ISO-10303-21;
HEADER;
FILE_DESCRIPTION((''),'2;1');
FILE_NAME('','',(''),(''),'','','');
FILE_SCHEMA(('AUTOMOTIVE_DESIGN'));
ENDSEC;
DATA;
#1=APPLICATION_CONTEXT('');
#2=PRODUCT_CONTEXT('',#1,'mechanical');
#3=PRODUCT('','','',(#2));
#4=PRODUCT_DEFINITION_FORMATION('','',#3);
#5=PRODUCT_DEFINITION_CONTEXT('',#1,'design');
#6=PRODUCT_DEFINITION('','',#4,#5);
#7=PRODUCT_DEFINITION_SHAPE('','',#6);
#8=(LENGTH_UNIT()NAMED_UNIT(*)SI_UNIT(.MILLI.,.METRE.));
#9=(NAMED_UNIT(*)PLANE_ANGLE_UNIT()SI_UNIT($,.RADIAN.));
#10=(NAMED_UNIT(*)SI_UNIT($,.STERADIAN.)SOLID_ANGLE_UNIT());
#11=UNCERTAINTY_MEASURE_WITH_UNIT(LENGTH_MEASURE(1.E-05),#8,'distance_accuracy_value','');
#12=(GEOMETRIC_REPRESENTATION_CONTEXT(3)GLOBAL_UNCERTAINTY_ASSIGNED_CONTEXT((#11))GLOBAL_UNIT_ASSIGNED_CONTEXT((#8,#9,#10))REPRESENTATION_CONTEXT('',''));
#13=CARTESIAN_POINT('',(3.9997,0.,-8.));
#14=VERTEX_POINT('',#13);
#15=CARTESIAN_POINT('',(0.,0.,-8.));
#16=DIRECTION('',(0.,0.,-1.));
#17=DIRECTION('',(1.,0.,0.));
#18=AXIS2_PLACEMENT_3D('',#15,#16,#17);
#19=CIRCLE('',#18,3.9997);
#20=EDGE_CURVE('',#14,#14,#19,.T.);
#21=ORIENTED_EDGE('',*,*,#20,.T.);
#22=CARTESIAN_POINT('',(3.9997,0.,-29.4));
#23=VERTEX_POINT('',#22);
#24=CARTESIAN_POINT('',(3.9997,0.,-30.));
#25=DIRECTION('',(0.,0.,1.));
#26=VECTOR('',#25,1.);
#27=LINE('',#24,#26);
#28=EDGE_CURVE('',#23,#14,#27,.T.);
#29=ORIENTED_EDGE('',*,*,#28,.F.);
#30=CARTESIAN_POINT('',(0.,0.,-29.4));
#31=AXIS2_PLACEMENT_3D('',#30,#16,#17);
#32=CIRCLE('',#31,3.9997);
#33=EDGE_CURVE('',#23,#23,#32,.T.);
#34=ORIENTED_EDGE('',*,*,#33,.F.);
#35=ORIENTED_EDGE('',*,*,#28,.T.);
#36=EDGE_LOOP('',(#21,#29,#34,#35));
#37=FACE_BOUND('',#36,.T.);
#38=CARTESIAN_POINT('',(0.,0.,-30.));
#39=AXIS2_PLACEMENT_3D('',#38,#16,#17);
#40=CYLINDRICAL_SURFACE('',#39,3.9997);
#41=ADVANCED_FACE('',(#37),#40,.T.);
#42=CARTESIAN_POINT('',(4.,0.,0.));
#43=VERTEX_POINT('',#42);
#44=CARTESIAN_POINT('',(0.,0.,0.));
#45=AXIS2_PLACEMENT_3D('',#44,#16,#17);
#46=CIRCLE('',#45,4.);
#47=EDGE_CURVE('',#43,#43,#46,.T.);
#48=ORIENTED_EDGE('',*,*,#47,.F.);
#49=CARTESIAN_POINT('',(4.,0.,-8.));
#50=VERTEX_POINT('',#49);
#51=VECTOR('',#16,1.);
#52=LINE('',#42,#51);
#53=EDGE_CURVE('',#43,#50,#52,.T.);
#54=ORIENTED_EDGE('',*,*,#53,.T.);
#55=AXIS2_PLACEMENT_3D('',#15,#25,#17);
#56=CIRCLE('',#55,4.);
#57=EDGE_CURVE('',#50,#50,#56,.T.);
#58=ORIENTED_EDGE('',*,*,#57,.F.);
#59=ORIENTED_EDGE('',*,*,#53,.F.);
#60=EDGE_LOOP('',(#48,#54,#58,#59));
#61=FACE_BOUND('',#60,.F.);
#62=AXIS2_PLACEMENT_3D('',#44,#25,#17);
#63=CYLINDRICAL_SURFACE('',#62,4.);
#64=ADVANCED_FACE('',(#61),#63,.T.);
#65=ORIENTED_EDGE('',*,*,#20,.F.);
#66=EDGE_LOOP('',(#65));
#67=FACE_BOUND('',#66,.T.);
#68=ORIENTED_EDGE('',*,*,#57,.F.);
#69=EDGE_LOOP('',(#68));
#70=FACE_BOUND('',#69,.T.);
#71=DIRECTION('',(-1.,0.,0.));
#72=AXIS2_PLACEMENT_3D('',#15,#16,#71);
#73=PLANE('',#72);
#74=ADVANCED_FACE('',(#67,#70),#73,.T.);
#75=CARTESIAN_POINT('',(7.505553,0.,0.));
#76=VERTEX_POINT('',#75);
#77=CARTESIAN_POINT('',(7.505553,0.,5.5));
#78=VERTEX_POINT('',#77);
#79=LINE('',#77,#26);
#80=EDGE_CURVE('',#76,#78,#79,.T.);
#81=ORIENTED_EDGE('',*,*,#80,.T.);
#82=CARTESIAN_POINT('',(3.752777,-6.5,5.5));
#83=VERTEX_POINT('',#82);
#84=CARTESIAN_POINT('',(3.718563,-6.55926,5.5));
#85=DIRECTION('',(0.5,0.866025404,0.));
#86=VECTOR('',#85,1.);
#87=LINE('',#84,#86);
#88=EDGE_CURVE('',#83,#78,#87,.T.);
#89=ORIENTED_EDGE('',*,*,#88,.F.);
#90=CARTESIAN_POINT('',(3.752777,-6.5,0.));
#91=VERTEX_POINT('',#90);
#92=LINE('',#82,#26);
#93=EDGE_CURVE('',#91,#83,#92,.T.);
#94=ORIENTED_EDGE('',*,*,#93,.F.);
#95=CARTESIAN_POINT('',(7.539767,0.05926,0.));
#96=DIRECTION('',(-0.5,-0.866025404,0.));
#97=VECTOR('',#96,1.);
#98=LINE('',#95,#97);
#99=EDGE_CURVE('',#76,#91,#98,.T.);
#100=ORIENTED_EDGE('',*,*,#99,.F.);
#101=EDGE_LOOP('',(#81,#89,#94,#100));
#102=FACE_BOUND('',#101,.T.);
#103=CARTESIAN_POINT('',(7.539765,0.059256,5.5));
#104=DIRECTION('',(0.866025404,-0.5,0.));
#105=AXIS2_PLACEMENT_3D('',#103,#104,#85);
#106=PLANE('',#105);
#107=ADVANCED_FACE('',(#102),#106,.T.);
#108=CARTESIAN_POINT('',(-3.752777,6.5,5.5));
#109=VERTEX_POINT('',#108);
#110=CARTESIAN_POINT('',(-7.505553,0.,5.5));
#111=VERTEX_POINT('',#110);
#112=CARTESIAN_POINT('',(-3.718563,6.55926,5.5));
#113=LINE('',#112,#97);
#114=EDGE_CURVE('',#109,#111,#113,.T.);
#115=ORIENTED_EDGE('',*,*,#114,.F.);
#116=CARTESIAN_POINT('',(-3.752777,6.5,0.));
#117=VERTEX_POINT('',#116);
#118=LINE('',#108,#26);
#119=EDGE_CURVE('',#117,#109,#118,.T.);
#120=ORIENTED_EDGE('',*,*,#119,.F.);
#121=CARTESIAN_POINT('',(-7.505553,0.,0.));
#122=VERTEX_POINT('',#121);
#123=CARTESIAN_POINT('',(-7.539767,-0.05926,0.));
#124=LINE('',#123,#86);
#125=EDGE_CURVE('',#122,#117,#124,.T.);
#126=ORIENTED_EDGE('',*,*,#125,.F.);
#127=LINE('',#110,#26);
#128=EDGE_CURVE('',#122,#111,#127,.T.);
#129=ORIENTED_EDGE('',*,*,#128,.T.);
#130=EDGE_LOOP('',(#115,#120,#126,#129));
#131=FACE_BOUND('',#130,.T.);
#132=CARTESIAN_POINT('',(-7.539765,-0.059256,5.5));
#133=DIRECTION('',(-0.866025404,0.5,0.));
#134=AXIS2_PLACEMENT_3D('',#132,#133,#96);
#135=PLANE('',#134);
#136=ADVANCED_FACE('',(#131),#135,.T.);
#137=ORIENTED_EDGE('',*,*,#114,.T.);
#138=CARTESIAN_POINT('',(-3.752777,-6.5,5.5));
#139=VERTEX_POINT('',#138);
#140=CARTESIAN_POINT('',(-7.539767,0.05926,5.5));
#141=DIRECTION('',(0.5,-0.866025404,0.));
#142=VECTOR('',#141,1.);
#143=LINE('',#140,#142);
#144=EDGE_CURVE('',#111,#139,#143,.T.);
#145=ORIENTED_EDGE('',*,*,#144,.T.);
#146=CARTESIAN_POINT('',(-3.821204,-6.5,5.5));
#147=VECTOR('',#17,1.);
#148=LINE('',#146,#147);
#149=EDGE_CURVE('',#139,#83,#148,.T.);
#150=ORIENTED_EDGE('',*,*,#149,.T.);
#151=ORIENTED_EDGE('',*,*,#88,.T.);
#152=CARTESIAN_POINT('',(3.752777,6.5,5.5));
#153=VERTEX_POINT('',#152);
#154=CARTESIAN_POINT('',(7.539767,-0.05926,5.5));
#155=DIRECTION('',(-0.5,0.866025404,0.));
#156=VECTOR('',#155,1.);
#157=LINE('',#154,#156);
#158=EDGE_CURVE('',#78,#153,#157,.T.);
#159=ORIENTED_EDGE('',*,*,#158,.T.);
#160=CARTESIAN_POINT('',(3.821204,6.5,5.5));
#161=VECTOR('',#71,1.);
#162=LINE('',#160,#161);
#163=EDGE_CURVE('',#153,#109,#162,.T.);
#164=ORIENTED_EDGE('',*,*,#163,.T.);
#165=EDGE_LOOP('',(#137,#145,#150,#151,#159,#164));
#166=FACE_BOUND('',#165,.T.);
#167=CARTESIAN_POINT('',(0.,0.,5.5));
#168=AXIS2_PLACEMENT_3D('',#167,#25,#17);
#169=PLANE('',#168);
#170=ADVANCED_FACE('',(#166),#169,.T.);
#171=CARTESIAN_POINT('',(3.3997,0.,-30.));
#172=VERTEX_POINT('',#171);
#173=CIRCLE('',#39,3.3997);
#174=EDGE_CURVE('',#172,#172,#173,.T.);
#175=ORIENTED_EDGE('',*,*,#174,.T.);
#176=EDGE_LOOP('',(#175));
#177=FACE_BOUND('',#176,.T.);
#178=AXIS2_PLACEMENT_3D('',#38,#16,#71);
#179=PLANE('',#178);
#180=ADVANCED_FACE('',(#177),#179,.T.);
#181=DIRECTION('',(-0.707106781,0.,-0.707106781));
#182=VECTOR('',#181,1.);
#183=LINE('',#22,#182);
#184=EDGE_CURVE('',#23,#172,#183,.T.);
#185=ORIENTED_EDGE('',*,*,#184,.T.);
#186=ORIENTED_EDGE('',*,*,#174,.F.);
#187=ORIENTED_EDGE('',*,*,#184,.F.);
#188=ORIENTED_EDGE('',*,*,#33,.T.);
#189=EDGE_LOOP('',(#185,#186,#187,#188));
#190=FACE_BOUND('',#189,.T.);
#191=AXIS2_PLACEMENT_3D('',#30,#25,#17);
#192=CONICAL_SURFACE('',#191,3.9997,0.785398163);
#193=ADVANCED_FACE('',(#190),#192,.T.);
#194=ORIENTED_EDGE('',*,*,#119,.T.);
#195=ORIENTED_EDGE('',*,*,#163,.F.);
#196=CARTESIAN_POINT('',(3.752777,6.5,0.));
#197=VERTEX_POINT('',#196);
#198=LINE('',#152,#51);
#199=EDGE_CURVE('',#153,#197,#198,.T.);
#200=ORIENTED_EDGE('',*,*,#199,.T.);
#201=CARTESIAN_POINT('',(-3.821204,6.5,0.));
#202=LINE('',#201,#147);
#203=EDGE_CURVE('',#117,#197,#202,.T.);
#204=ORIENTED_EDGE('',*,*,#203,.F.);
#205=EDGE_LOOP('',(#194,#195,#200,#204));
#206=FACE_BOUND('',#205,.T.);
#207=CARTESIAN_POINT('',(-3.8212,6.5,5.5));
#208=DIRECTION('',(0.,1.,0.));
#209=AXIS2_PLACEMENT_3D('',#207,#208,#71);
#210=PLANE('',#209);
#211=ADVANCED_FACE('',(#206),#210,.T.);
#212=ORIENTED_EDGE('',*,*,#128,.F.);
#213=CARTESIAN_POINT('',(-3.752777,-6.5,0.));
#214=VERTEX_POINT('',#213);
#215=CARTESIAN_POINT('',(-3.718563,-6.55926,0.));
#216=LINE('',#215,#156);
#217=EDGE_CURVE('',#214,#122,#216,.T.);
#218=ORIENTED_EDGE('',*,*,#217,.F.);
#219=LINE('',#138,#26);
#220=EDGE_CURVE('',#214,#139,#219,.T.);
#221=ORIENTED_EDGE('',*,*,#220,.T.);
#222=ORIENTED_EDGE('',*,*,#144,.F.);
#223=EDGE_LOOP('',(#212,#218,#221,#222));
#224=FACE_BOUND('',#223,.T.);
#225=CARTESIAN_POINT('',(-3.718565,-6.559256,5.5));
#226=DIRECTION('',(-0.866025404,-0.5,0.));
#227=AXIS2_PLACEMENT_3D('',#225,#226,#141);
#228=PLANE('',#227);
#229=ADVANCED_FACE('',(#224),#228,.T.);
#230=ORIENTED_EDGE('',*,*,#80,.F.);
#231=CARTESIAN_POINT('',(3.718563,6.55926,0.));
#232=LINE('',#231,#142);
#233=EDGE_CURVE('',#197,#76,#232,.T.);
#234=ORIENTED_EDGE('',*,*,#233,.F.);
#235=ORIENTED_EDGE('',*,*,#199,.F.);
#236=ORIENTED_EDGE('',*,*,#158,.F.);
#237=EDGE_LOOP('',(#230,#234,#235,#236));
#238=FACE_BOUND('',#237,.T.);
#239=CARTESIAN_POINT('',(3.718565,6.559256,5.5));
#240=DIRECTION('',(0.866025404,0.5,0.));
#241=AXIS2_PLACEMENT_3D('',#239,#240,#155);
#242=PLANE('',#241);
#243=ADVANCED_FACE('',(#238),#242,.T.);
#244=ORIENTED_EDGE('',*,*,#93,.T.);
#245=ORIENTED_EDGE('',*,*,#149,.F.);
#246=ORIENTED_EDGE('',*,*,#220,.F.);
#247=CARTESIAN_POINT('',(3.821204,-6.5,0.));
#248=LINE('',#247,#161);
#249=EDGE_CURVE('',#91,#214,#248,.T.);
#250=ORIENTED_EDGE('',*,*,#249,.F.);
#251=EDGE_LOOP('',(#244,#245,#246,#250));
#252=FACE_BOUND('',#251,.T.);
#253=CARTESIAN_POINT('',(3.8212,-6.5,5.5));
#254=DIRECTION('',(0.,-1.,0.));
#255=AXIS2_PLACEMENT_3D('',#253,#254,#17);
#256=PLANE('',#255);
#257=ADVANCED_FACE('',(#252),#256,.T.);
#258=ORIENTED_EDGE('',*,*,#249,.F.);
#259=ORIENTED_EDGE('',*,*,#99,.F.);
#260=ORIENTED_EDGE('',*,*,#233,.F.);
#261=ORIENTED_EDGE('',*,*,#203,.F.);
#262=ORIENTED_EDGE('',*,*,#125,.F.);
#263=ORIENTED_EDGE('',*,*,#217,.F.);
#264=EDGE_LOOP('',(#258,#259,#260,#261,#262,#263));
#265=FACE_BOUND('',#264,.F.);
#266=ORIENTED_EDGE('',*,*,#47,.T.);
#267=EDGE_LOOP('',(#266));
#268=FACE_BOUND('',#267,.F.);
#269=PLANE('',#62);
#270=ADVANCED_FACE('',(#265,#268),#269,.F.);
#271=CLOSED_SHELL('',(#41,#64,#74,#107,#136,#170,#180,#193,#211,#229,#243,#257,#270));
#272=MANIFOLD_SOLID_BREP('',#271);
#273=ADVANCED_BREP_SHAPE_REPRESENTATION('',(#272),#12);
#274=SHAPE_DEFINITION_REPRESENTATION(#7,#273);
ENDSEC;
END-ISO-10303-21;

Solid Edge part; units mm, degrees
sketch "Sketch1" plane through (0, 0, 0) normal (0, 0, 1) x (1, 0, 0)
  circle A0 centre (0, 0) radius 7.54
  dimension "D1" = 15.08
extrude "Protrusion1" add sketch "Sketch1" along normal blind 5.5
sketch "Sketch2" plane through (0, 0, 0) normal (0, 0, -1) x (1, 0, 0)
  circle A0 centre (0, 0) radius 4
extrude "Protrusion2" add sketch "Sketch2" along normal blind 30
sketch "Sketch3" plane through (0, 0, -30) normal (0, 0, -1) x (1, 0, 0)
  circle A0 centre (0, 0) radius 3.9997
extrude "Cutout1" cut sketch "Sketch3" against normal blind 22 flip side to cut
chamfer "Chamfer_1" distance 0.6 angle 45 1 edges at (-3.9997, 0, -30)
sketch "Sketch4" plane through (0, 0, 5.5) normal (0, 0, 1) x (1, 0, 0)
  line L0 (-3.8212, 6.5) -> (3.8212, 6.5)
  dimension "D1" = 13
extrude "Cutout2" cut sketch "Sketch4" against normal up to next material side at (0, 6.55, 5.5)
pattern_circular "Pattern1" count 6 over 360 about axis through (0, 0, 5.5) along (0, 0, 1) of "Cutout2"
properties part number "24101201" material "Stainless Steel, 304"
